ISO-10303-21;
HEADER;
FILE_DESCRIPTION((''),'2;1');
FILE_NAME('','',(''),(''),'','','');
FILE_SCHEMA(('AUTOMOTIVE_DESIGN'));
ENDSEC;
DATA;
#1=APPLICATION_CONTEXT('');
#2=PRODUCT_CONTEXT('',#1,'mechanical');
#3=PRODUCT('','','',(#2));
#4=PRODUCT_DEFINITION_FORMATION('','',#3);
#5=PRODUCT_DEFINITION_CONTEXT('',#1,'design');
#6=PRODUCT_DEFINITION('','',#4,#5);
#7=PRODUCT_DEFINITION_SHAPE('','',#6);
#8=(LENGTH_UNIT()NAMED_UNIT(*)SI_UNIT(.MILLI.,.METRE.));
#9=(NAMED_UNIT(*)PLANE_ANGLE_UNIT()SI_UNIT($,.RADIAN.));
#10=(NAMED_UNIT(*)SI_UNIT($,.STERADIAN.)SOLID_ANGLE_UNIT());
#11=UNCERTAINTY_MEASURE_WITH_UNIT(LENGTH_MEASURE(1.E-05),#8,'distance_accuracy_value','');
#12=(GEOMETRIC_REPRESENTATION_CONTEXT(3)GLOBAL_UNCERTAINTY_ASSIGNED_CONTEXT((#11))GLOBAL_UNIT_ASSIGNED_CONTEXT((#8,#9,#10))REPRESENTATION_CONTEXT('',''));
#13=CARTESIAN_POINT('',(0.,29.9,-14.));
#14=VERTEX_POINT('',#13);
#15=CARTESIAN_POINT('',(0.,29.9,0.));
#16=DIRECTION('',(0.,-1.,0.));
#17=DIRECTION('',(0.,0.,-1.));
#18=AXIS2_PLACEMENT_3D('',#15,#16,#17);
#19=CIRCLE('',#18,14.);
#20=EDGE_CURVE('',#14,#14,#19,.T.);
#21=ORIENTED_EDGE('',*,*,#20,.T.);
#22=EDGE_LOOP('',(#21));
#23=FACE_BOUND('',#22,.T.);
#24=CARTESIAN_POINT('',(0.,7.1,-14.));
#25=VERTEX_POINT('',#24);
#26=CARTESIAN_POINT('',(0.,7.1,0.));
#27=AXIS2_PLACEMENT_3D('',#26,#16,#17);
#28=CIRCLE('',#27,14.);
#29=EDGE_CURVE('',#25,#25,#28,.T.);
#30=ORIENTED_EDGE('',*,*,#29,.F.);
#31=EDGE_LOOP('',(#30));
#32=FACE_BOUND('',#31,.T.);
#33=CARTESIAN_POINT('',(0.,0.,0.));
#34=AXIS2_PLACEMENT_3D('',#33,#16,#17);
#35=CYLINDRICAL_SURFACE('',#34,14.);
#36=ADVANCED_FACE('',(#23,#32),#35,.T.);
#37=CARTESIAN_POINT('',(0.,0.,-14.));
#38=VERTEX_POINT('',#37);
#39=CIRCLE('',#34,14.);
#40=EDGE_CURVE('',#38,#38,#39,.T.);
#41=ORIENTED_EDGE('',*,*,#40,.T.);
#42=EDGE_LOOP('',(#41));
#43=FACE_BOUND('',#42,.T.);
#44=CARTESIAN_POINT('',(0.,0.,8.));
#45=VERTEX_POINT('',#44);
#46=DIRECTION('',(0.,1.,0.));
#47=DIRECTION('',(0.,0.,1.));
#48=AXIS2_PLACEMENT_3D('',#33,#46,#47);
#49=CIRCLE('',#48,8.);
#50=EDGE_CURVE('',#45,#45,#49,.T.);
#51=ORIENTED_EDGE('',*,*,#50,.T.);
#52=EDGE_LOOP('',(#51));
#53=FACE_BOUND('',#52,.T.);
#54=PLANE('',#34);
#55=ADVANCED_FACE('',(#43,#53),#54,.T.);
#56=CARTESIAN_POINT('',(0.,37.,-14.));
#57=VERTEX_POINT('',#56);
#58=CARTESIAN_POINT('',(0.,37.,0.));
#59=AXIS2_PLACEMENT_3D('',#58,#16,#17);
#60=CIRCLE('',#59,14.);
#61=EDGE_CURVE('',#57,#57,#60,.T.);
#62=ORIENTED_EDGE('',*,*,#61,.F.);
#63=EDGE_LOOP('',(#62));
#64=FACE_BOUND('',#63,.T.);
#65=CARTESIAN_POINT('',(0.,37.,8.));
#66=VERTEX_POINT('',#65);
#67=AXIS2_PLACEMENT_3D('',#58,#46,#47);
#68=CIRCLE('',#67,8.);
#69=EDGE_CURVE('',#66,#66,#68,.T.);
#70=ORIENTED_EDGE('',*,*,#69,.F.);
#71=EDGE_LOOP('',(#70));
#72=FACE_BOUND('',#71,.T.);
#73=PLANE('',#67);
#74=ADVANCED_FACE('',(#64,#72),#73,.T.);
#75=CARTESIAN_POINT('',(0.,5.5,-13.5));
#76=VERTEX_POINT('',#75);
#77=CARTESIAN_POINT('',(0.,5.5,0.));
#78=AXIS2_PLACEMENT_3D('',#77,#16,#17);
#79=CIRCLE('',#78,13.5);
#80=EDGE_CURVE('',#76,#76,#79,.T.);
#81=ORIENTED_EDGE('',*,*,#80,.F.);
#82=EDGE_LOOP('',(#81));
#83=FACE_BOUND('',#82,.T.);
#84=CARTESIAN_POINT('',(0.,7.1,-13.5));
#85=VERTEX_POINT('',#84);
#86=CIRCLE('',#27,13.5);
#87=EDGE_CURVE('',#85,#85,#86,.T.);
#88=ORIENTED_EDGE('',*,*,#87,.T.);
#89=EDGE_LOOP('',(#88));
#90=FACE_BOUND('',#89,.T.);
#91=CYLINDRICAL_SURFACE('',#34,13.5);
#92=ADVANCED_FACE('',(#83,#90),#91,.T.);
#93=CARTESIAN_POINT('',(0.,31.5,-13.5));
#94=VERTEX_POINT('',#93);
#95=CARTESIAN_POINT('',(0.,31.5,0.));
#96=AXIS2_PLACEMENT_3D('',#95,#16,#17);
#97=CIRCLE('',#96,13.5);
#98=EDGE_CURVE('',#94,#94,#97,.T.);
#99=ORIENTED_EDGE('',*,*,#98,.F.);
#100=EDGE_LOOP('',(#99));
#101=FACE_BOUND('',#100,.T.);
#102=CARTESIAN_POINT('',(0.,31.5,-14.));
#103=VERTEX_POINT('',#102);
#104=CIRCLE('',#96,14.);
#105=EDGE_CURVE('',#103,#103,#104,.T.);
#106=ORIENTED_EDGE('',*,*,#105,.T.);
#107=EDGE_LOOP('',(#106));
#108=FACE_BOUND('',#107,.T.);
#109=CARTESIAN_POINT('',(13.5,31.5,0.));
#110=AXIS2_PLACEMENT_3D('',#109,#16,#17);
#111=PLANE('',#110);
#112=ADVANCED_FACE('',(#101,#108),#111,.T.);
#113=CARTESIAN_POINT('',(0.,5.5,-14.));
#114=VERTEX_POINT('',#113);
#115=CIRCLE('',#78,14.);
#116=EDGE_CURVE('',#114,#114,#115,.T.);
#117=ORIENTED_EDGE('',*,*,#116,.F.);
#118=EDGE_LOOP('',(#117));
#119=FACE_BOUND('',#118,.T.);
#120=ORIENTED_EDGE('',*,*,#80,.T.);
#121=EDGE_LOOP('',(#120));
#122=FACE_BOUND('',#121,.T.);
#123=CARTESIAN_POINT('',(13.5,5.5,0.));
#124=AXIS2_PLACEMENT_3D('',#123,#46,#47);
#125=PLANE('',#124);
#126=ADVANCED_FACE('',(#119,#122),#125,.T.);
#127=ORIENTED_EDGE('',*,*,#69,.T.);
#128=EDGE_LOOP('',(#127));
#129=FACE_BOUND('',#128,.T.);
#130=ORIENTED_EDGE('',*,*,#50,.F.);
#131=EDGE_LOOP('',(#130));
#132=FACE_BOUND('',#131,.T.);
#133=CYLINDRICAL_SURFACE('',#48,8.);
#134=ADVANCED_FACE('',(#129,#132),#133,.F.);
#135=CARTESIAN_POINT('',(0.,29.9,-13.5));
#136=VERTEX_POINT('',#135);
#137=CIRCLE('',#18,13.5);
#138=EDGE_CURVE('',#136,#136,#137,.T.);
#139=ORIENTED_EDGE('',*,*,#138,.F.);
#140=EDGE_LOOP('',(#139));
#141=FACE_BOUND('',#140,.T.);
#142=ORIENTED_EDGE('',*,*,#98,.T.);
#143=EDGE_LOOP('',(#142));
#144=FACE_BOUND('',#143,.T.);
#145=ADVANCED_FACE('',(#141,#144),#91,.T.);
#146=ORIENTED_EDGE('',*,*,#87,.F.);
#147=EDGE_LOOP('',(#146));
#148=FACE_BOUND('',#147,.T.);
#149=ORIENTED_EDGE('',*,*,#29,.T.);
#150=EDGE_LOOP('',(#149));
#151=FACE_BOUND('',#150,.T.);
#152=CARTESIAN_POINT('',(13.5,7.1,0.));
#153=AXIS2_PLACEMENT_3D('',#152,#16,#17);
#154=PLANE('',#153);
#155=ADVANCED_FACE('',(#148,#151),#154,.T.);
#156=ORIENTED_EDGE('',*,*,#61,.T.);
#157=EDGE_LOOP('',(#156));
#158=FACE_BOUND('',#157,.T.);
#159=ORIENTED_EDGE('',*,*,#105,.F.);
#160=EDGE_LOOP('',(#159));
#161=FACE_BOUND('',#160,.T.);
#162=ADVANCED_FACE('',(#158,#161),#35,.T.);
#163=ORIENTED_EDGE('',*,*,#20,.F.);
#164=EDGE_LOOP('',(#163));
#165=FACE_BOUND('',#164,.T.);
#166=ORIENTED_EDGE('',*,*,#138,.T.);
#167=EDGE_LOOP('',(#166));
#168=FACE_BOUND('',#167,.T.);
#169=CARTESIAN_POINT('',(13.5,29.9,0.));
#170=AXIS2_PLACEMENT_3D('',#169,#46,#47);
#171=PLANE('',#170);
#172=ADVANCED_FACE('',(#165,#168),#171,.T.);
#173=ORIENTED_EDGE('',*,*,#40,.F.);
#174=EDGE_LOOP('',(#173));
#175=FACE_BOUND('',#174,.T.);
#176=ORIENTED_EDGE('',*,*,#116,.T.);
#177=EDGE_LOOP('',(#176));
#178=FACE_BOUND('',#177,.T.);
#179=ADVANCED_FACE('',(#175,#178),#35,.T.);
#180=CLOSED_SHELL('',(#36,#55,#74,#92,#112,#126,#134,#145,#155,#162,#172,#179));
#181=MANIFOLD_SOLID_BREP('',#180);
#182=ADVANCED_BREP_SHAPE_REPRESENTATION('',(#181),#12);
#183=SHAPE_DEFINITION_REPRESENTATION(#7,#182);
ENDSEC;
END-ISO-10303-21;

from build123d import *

# Parameters (mm, degrees)
SKETCH_3_R          = 8
CUT_EXTRUDE_1_DEPTH = 37


with BuildPart() as part:
    # Эскиз2 → Повернуть1 (revolve)
    with BuildSketch(Plane.XY, mode=Mode.PRIVATE) as revolve_1_sk:
        Polygon((13.5, 5.5), (14, 5.5), (14, 0), (0, 0), (0, 37), (14, 37), (14, 31.5), (13.5, 31.5), (13.5, 29.9), (14, 29.9), (14, 7.1), (13.5, 7.1), align=None)
    revolve(revolve_1_sk.sketch.rotate(Axis((0, 0, 0), (0, 1, 0)), 90), axis=Axis((0, 0, 0), (0, 1, 0)))

    # Эскиз3 → Вырез-Вытянуть1 (cut)
    with BuildSketch(Plane(origin=(0, 37, 0), x_dir=(1, 0, 0), z_dir=(0, 1, 0))):
        with Locations(Location((0, 0, 0), (0, 0, 270))):
            Circle(SKETCH_3_R)
    extrude(amount=-CUT_EXTRUDE_1_DEPTH, mode=Mode.SUBTRACT)


solid = part.part
